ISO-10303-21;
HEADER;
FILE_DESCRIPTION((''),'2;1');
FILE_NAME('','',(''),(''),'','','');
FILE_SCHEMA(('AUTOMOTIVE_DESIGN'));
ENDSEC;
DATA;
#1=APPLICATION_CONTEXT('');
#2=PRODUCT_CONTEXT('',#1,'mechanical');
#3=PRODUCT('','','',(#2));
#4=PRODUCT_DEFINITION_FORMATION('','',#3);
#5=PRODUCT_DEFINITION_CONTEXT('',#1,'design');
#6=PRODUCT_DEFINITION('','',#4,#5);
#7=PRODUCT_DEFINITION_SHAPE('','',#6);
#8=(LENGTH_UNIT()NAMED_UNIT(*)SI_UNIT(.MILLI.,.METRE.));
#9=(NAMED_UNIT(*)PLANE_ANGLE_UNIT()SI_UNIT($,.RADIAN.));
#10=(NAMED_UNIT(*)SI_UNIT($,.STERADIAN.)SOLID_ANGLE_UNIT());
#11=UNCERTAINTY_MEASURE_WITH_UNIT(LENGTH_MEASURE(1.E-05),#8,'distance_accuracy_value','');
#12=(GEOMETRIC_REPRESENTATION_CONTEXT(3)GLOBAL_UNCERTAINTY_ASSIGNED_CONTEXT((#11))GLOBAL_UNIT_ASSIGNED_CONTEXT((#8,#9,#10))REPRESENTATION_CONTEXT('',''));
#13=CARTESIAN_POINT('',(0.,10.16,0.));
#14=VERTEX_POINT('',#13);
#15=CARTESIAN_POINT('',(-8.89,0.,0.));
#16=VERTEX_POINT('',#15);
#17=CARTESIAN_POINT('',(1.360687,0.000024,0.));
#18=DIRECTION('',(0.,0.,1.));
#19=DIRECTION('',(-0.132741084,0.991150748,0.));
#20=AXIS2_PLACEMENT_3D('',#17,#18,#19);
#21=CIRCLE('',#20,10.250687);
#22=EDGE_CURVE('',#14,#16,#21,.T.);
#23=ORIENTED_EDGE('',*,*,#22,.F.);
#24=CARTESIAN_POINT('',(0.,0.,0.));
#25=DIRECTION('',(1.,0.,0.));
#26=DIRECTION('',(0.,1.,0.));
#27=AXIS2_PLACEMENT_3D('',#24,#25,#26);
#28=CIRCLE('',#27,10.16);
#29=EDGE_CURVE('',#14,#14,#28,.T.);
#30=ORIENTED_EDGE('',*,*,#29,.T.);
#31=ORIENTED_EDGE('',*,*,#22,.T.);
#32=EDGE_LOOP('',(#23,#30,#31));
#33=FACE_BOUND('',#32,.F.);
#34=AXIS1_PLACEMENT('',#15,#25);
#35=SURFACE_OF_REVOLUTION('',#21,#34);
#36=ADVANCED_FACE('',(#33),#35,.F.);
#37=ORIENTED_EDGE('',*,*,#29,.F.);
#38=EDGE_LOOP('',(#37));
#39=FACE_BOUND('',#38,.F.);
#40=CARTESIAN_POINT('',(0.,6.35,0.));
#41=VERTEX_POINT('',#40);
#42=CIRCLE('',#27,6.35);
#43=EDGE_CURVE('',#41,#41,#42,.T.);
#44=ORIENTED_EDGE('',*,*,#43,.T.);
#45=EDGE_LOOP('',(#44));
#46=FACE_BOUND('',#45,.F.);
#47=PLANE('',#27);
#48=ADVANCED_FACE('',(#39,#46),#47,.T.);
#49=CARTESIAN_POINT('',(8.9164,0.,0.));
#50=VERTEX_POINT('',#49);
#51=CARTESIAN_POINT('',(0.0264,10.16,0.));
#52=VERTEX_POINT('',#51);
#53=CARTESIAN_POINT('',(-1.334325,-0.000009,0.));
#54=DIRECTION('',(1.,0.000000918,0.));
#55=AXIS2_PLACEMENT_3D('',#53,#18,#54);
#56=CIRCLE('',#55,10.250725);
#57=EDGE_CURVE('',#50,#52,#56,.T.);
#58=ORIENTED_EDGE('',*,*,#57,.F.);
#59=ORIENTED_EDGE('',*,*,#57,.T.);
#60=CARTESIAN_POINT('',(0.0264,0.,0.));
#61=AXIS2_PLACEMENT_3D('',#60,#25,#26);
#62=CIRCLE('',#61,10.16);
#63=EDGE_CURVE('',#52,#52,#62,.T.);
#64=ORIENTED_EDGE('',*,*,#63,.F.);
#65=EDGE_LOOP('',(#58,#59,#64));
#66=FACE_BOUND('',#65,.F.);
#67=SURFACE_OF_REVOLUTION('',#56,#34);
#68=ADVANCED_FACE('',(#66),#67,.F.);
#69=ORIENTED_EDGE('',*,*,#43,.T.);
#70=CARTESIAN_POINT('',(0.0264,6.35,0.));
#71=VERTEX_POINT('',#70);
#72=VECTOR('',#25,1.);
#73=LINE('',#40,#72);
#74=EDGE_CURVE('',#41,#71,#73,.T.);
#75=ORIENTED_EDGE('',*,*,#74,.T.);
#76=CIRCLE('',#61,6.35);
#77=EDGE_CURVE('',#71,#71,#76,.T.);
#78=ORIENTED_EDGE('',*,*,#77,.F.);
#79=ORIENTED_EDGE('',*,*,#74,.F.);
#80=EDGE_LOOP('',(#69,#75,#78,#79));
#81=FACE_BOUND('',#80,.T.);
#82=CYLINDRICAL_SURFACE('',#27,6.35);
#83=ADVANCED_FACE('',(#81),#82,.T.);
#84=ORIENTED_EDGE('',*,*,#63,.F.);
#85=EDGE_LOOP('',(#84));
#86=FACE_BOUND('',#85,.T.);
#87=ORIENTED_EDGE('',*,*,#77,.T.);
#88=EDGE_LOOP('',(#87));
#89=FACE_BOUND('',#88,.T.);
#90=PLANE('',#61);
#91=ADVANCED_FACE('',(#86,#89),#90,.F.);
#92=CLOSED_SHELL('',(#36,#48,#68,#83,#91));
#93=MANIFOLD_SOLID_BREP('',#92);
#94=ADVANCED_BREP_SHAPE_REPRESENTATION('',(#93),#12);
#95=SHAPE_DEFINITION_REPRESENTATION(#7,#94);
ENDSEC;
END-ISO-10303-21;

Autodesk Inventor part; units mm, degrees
ref_plane "YZ Plane" through (0, 0, 0) normal (1, 0, 0) x (0, 1, 0)
ref_plane "XZ Plane" through (0, 0, 0) normal (0, 1, 0) x (-1, 0, 0)
ref_plane "XY Plane" through (0, 0, 0) normal (0, 0, 1) x (1, 0, 0)
sketch "Sketch" plane through (0, 0, 0) normal (0, 0, 1) x (1, 0, 0)
  line L0 (0, 6.35) -> (0.0264, 6.35)
  line L1 (0.0264, 6.35) -> (0.0264, 10.16)
  line L2 (0, 6.35) -> (0, 10.16)
  line L3 (-8.89, 0) -> (8.9164, 0)
  line L4 (-1.2309, 0) -> (2.2319, 0) projected
  line L5 (0, -0.1982) -> (0, 1.189) projected
  arc A0 (0, 10.16) -> (-8.89, 0) centre (1.3607, 0) ccw
  arc A1 (8.9164, 0) -> (0.0264, 10.16) centre (-1.3343, 0) ccw
  dimension "d0" = 12.7
  dimension "d1" = 0.0264
  dimension "d2" = 20.32
  dimension "d3" = 8.89
  dimension "d4" = 20.32
  dimension "d5" = 8.89
revolve "Body" add sketch "Sketch" angle 360 about axis through (-8.89, 0, 0) along (1, 0, 0)
equation "\"d0\" = NND1"
equation "\"d2\" = KOD"
equation "\"d3\" = KOH"
equation "\"d4\" = KOD1"
equation "\"d5\" = KOH1"
equation "\"KOH\" = 8.89"
equation "\"KOH1\" = KOH"
equation "\"KOD\" = 20.32"
equation "\"KOD1\" = KOD"
equation "\"NND1\" = NND"
equation "\"KLG\" = 0.0254"
equation "\"KLGMIN\" = 0.0254"
equation "\"KLGMAX\" = 48.26"
equation "\"RR\" = 0.79375"
equation "\"NLG\" = 57.15"
equation "\"KR\" = 10.2489"
equation "\"KR1\" = KR"
equation "\"NND\" = 12.7"
properties part number "No. A. 34-1938 - 1/2 x 2 1/4" material "Steel, Mild"
